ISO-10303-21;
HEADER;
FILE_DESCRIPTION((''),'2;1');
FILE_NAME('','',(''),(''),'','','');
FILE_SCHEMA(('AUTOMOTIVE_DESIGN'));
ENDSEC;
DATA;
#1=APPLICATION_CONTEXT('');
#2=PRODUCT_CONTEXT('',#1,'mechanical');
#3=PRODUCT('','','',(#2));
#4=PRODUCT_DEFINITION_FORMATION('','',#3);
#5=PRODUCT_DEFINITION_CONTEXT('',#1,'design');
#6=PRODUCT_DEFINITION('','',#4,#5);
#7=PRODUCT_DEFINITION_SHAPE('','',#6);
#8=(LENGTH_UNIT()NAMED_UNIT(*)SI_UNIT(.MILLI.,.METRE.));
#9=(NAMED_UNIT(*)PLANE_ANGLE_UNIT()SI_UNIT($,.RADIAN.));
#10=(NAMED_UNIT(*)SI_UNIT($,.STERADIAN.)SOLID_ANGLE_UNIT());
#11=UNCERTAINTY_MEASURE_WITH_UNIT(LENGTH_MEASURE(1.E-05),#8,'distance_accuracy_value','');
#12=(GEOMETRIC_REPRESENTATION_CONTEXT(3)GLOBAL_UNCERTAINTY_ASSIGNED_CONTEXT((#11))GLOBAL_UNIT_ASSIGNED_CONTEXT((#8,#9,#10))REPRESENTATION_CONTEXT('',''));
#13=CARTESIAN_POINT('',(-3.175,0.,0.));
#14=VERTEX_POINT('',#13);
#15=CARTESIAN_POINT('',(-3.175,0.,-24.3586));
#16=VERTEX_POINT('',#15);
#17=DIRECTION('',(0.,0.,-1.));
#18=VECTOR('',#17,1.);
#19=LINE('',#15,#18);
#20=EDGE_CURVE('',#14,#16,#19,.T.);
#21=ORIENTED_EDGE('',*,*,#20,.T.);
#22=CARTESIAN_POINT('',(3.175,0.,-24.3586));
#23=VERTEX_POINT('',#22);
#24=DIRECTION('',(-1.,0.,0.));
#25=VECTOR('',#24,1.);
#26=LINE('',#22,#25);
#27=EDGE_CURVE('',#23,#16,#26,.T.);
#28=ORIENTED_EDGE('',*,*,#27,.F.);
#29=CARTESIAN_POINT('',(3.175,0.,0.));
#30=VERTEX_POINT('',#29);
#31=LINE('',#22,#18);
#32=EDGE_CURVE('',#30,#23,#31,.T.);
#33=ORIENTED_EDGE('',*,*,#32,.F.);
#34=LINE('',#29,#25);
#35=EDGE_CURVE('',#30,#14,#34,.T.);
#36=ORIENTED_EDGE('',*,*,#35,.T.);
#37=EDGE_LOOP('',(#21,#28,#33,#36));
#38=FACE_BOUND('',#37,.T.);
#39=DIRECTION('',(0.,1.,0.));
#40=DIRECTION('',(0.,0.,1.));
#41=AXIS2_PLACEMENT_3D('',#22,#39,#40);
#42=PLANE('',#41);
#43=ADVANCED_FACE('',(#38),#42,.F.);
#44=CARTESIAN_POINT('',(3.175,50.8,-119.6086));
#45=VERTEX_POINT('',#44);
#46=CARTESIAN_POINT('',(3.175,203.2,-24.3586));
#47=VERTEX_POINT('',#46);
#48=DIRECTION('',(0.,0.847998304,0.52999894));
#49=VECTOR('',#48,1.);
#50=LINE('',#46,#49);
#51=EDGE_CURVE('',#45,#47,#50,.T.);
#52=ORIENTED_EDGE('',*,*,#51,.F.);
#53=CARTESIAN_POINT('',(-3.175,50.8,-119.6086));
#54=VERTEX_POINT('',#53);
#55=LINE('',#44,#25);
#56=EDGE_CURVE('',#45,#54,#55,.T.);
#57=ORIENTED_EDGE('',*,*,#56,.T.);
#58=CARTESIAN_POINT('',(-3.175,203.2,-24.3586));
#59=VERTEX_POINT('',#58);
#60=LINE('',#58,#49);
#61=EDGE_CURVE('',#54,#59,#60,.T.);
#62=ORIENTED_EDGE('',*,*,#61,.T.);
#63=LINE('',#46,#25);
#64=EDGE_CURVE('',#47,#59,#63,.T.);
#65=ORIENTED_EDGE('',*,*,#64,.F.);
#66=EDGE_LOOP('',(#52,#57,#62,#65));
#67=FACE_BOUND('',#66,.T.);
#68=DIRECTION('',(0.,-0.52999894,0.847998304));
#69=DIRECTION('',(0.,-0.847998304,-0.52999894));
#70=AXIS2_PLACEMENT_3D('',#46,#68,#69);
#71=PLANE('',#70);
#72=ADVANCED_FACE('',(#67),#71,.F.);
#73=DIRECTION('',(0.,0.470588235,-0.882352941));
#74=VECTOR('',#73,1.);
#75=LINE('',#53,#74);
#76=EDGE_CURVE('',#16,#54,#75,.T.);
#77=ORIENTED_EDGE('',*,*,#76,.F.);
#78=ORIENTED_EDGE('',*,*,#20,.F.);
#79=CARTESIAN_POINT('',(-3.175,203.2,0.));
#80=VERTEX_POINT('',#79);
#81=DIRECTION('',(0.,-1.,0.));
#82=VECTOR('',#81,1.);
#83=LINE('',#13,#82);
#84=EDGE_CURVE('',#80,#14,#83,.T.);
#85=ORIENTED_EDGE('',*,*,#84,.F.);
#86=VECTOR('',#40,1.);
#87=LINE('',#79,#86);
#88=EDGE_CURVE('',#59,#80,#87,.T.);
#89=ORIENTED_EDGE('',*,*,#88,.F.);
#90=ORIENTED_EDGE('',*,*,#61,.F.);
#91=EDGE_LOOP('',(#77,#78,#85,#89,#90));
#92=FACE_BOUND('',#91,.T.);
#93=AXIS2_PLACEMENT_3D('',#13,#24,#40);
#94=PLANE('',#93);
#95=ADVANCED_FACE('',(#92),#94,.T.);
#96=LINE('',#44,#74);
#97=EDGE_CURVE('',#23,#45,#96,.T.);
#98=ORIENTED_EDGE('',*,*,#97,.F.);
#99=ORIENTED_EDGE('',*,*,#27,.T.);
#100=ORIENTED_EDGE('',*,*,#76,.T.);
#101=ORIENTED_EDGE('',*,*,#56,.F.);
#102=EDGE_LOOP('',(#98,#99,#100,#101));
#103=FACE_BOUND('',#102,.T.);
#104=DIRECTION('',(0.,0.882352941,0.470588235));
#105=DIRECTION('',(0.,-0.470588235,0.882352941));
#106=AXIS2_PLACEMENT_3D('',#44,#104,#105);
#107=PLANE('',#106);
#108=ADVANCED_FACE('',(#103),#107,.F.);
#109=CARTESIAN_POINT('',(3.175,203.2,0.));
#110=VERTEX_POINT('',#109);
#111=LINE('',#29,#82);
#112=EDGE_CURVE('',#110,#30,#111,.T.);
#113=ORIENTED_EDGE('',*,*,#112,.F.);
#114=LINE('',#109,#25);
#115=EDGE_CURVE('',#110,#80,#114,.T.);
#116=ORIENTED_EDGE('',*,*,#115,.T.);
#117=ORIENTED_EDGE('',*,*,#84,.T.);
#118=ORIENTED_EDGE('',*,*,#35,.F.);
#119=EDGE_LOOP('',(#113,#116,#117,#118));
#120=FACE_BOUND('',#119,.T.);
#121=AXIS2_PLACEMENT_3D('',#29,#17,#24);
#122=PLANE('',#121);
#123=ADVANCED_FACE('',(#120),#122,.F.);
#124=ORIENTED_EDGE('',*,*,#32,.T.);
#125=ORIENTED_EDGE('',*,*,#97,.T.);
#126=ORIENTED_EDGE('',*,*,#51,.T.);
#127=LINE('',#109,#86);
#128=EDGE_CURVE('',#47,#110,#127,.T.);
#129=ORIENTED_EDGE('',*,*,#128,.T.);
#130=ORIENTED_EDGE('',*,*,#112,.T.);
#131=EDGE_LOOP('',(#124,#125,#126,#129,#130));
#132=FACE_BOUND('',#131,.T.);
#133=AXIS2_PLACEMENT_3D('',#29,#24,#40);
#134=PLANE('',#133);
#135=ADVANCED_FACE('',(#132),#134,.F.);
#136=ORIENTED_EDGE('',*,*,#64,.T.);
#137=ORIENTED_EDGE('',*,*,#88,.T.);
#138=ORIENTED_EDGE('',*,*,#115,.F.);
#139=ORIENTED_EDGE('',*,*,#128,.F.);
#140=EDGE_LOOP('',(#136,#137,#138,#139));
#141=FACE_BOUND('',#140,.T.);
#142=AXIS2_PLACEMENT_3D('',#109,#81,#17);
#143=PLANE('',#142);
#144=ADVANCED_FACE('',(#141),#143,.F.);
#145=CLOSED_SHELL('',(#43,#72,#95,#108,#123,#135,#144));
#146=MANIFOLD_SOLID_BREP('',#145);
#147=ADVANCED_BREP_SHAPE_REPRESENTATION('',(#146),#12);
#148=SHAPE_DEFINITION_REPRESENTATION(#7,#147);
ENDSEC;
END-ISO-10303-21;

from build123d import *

# Parameters (mm, degrees)
BOSS_EXTRUDE1_DEPTH = 3.175


with BuildPart() as part:
    # Sketch1 → Boss-Extrude1 (new body, symmetric)
    with BuildSketch(Plane(origin=(0, 0, 0), x_dir=(0, 0, -1), z_dir=(1, 0, 0))):
        Polygon((0, 0), (0, 203.2), (24.3586, 203.2), (119.6086, 50.8), (24.3586, 0), align=None)
    extrude(amount=BOSS_EXTRUDE1_DEPTH, both=True)


solid = part.part
